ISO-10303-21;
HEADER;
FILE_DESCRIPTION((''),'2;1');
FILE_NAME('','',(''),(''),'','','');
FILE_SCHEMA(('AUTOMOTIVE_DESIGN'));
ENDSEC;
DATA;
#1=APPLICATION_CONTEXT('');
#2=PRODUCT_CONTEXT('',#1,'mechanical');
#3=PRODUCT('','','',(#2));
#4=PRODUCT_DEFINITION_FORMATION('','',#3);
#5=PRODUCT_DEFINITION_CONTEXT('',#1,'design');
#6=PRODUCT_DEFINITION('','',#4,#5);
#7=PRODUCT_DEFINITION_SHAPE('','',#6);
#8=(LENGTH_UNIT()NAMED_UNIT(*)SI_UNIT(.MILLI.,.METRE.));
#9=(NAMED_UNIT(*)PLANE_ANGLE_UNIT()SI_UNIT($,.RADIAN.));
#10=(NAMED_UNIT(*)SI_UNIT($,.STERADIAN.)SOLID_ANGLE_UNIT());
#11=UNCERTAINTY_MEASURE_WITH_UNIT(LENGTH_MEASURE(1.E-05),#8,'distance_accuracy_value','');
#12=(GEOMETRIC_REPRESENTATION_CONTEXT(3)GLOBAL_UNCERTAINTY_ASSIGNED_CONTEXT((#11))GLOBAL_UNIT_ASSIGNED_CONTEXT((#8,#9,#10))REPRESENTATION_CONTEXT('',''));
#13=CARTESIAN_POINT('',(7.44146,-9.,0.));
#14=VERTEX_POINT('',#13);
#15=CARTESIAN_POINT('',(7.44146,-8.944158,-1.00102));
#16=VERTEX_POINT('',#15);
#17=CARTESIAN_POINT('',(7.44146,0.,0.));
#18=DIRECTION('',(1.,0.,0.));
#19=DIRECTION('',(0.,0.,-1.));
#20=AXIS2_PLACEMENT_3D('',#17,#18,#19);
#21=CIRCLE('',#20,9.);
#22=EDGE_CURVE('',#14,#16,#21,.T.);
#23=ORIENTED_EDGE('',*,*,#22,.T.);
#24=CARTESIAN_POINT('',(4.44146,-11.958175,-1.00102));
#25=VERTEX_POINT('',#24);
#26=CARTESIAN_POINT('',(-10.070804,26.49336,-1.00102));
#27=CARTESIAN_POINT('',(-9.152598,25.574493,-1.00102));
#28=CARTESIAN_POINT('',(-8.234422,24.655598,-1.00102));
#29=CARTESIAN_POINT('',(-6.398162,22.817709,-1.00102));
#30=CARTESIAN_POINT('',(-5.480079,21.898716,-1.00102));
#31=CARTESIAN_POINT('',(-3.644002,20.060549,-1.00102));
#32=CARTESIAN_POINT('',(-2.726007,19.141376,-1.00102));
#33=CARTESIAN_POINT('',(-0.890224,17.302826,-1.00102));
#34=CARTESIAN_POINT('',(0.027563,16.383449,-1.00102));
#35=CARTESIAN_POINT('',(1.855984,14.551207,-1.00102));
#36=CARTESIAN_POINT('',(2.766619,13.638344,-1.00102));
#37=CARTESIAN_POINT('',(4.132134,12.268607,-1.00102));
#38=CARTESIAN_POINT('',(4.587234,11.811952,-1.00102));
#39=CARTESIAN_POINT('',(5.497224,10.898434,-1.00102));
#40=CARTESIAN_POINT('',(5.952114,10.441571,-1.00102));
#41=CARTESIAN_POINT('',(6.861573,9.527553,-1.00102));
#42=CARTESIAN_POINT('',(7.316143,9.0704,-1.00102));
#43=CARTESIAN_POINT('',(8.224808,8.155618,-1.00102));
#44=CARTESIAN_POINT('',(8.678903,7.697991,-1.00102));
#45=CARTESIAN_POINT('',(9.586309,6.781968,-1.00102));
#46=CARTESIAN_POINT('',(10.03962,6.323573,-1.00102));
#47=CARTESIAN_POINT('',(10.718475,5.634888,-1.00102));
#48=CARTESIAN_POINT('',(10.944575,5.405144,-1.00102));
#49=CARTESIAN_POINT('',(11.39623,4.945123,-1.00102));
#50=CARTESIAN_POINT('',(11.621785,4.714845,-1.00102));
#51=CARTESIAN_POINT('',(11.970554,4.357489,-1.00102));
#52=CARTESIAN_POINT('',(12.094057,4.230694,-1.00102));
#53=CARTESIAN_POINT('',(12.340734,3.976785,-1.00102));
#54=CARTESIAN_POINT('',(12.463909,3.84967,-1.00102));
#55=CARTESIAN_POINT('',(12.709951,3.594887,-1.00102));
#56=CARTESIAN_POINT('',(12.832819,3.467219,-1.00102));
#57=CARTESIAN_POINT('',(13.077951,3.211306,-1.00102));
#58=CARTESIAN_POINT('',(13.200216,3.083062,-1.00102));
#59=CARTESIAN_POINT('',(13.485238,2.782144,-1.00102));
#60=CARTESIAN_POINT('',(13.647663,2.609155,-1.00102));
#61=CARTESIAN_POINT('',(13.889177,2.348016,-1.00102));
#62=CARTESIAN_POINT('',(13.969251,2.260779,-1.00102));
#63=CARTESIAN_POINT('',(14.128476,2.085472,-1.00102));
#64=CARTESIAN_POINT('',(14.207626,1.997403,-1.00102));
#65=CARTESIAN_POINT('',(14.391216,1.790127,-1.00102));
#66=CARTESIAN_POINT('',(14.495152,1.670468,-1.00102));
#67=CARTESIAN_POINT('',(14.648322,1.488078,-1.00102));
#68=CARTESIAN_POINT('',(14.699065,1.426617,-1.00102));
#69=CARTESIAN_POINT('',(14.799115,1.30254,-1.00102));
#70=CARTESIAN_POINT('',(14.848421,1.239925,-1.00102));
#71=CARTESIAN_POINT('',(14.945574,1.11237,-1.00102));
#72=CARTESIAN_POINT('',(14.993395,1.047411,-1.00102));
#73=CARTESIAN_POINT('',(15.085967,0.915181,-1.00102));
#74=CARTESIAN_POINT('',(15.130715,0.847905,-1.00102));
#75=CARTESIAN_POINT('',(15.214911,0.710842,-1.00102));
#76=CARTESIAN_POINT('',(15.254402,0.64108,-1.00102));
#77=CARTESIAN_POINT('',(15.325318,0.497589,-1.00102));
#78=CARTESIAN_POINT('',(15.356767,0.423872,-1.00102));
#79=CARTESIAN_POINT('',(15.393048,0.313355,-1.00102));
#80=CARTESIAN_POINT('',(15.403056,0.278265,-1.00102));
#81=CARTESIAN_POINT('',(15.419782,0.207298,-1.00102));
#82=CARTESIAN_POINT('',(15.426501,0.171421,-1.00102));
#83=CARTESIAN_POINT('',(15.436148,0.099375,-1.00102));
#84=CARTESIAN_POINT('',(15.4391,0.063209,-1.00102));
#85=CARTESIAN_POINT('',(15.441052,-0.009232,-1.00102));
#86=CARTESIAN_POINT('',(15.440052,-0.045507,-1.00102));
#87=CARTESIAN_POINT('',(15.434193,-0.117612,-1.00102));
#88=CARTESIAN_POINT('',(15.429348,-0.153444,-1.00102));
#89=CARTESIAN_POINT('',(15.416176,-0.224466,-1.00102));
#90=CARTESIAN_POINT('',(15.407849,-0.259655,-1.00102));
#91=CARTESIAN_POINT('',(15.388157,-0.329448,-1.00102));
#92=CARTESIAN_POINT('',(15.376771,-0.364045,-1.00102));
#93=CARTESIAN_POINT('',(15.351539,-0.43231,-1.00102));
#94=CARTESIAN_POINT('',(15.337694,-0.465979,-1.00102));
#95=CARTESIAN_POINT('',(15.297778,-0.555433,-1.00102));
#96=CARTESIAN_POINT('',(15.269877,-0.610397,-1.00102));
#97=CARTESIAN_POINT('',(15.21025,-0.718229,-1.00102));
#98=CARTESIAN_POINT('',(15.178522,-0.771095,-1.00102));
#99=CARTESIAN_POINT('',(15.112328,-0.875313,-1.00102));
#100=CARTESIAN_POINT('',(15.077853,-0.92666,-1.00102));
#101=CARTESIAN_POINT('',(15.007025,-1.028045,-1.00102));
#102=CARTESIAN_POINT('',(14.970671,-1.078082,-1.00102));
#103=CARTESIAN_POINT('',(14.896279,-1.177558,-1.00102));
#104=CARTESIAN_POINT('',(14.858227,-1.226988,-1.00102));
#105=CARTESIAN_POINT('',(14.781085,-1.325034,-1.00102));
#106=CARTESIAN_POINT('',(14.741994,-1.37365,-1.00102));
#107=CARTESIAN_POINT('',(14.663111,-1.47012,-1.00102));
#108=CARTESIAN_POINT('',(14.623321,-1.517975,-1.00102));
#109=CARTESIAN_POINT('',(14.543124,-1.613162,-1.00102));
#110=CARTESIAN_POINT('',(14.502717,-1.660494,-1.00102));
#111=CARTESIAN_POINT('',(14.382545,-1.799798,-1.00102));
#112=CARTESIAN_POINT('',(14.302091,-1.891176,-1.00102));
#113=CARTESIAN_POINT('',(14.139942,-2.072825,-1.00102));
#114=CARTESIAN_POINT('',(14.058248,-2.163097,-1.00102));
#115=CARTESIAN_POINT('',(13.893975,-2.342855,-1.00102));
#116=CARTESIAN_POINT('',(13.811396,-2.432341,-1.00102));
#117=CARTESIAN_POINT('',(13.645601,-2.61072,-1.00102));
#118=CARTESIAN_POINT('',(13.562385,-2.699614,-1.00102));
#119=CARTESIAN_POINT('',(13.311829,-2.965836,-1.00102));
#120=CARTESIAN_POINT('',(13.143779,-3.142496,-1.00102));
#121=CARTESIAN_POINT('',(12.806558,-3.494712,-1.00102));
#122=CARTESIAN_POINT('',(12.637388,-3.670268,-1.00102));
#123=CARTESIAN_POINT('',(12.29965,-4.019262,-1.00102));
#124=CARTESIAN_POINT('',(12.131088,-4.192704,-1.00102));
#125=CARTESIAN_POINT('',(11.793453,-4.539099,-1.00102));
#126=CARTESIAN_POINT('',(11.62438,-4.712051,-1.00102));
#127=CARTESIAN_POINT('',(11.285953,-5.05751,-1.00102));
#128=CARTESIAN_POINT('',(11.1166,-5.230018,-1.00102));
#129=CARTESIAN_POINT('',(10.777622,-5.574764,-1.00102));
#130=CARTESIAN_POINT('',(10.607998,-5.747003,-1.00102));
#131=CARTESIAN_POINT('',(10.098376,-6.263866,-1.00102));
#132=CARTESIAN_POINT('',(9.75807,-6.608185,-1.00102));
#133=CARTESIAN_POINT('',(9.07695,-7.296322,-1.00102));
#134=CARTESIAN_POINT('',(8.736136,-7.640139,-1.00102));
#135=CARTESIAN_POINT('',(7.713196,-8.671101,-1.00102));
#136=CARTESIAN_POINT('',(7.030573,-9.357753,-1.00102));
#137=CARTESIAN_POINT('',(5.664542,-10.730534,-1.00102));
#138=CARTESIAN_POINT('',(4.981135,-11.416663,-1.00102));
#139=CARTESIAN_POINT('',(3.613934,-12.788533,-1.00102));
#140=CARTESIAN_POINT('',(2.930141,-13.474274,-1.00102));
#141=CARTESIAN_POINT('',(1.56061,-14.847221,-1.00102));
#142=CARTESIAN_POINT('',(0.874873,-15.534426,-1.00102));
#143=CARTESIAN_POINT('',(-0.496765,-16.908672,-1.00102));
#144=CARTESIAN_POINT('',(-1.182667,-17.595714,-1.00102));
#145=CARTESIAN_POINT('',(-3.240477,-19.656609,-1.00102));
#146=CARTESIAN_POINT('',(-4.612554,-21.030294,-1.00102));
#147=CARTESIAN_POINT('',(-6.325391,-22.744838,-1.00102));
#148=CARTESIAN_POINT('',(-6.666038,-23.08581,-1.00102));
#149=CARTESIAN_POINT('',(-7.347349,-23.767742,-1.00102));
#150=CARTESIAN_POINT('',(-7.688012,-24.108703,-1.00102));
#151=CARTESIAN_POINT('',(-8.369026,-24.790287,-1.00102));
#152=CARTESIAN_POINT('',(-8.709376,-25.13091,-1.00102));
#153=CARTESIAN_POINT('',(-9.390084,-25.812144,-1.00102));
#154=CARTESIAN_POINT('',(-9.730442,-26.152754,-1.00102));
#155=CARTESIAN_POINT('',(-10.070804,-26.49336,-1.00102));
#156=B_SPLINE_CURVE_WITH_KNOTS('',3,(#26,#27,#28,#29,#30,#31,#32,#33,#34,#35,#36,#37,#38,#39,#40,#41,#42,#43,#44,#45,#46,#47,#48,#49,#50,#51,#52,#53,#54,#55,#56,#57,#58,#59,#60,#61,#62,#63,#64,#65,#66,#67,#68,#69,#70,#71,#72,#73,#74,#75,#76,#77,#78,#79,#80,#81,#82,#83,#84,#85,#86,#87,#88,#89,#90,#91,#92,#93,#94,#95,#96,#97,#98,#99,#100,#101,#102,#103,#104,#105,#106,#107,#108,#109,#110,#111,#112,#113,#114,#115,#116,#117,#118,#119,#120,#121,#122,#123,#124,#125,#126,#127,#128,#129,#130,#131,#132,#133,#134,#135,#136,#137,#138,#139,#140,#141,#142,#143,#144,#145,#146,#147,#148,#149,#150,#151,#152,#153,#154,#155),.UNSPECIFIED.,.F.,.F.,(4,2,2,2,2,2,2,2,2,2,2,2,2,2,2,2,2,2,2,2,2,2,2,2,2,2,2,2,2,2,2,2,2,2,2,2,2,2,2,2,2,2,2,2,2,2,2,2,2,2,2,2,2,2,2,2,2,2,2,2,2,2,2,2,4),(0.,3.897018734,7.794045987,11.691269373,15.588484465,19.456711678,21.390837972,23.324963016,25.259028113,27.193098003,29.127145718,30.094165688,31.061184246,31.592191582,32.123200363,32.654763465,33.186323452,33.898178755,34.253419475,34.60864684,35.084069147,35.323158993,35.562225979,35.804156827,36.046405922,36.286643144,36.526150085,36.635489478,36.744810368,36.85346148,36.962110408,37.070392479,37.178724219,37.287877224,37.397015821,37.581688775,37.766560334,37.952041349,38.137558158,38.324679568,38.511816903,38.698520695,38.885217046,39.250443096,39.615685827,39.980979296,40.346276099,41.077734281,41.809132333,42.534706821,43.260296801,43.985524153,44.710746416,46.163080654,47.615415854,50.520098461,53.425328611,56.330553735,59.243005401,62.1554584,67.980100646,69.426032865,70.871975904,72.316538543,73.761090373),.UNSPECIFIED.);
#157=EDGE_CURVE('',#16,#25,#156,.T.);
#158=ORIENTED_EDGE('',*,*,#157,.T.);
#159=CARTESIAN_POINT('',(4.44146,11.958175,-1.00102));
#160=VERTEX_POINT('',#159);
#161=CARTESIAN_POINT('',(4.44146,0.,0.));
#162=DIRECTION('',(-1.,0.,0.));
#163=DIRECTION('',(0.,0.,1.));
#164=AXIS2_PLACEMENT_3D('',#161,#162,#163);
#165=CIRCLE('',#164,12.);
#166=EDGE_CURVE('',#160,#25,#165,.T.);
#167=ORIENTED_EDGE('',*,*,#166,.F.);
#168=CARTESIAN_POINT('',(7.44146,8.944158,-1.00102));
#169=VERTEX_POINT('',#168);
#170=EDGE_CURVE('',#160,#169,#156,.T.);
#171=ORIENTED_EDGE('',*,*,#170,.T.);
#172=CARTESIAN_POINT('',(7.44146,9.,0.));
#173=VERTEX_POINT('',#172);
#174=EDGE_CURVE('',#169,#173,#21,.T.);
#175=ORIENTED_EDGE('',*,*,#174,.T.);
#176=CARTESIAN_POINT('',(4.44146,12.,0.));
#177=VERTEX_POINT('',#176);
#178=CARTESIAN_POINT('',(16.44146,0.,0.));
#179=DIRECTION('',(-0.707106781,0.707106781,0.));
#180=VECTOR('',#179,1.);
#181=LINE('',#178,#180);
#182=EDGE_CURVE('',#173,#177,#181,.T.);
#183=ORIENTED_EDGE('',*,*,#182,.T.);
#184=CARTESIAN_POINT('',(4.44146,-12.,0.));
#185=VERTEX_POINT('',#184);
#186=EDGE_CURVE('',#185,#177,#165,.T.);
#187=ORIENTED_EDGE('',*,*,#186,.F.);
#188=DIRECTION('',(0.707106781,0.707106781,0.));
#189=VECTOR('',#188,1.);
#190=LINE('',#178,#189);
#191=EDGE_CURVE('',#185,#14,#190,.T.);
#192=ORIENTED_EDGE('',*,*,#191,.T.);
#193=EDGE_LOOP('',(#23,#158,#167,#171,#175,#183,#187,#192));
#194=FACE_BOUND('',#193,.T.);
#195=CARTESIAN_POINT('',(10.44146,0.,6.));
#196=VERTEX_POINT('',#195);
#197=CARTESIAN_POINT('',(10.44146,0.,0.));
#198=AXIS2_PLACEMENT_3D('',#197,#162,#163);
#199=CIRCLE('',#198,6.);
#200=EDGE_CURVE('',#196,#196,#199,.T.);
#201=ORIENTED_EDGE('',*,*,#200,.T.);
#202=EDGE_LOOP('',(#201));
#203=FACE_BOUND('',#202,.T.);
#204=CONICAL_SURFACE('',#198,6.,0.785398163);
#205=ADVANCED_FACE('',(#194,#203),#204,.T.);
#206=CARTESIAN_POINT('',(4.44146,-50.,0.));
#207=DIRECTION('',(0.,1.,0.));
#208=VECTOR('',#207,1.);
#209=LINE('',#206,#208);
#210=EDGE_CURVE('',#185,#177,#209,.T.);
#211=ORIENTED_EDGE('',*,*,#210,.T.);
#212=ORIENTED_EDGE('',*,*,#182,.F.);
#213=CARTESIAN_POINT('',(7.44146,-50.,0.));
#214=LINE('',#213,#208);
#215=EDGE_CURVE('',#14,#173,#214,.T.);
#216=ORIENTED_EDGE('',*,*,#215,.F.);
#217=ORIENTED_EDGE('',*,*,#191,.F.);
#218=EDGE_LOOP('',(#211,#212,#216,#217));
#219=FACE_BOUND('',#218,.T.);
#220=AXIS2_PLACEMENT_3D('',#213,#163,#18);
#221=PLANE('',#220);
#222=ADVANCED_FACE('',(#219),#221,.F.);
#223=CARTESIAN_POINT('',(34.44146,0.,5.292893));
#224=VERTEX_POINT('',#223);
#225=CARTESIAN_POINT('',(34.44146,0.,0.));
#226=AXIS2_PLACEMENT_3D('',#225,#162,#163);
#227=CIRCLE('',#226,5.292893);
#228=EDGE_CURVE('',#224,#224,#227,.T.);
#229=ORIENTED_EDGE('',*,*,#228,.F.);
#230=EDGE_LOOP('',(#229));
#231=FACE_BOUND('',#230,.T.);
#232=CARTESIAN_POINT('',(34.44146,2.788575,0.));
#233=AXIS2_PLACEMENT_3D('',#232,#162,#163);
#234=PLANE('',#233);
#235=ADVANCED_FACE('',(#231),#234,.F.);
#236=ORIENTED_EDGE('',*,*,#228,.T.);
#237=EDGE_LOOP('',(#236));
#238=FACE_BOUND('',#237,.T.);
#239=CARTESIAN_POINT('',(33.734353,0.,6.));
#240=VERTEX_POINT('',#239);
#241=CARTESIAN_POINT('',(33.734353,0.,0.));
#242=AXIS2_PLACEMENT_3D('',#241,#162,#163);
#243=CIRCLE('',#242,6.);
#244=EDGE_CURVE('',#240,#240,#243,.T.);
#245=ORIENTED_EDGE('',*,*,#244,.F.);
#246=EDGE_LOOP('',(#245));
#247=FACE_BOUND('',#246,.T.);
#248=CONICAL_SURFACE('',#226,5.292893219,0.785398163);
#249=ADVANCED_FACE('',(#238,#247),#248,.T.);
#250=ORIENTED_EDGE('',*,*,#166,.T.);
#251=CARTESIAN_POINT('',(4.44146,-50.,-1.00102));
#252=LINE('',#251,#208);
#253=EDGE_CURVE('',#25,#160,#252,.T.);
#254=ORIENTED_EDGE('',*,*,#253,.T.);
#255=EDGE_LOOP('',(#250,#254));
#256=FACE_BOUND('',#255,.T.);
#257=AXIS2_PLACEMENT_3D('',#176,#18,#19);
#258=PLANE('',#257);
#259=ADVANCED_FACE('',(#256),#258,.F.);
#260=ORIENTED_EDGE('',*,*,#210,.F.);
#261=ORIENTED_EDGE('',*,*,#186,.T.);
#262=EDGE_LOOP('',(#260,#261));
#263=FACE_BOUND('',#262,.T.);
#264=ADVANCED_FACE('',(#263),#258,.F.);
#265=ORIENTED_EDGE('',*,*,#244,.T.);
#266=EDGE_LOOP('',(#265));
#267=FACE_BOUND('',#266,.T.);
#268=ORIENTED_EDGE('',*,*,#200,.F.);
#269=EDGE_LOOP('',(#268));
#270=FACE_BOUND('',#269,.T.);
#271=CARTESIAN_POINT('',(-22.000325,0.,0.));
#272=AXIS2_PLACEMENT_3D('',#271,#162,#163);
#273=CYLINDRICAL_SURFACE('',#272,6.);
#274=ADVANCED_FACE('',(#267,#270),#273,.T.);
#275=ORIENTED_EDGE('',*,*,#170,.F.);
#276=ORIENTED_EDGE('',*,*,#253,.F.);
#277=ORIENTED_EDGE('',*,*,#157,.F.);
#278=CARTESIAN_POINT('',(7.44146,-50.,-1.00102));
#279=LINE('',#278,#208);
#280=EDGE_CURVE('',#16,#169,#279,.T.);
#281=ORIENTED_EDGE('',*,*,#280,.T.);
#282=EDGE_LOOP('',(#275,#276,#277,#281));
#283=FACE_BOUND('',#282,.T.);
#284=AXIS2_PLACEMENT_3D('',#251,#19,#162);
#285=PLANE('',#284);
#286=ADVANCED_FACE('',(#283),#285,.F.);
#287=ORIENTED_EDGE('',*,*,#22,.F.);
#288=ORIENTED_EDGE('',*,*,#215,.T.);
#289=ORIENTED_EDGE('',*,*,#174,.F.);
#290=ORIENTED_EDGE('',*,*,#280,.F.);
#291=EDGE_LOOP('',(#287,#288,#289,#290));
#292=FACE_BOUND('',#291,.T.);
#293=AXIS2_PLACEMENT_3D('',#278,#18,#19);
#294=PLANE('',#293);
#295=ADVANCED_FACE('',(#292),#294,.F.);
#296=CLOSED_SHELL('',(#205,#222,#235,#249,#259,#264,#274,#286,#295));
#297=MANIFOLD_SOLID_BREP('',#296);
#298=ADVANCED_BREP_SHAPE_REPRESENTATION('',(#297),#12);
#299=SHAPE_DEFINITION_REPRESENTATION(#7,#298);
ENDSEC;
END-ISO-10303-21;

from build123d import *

# Parameters (mm, degrees)
SKETCH3_W          = 3
SKETCH3_H          = 1.001019848
CUT_EXTRUDE1_DEPTH = 50


with BuildPart() as part:
    # Sketch2 → Revolve1 (revolve)
    with BuildSketch(Plane.XY):
        Polygon((10.441459651, 6), (25.219960982, 6), (33.73435287, 6), (34.441459651, 5.292893219), (34.441459651, 2.788575112), (34.441459651, 0), (4.441459651, 0), (4.441459651, 12), align=None)
    revolve(axis=Axis((-22.000325263, 0, 0), (1, 0, 0)))

    # Sketch3 → Cut-Extrude1 (cut, symmetric)
    with BuildSketch(Plane(origin=(0, 0, 0), x_dir=(1, 0, 0), z_dir=(0, 1, 0))):
        with Locations((5.941459651, 0.500509924)):
            Rectangle(SKETCH3_W, SKETCH3_H)
    extrude(amount=CUT_EXTRUDE1_DEPTH, both=True, mode=Mode.SUBTRACT)


solid = part.part
